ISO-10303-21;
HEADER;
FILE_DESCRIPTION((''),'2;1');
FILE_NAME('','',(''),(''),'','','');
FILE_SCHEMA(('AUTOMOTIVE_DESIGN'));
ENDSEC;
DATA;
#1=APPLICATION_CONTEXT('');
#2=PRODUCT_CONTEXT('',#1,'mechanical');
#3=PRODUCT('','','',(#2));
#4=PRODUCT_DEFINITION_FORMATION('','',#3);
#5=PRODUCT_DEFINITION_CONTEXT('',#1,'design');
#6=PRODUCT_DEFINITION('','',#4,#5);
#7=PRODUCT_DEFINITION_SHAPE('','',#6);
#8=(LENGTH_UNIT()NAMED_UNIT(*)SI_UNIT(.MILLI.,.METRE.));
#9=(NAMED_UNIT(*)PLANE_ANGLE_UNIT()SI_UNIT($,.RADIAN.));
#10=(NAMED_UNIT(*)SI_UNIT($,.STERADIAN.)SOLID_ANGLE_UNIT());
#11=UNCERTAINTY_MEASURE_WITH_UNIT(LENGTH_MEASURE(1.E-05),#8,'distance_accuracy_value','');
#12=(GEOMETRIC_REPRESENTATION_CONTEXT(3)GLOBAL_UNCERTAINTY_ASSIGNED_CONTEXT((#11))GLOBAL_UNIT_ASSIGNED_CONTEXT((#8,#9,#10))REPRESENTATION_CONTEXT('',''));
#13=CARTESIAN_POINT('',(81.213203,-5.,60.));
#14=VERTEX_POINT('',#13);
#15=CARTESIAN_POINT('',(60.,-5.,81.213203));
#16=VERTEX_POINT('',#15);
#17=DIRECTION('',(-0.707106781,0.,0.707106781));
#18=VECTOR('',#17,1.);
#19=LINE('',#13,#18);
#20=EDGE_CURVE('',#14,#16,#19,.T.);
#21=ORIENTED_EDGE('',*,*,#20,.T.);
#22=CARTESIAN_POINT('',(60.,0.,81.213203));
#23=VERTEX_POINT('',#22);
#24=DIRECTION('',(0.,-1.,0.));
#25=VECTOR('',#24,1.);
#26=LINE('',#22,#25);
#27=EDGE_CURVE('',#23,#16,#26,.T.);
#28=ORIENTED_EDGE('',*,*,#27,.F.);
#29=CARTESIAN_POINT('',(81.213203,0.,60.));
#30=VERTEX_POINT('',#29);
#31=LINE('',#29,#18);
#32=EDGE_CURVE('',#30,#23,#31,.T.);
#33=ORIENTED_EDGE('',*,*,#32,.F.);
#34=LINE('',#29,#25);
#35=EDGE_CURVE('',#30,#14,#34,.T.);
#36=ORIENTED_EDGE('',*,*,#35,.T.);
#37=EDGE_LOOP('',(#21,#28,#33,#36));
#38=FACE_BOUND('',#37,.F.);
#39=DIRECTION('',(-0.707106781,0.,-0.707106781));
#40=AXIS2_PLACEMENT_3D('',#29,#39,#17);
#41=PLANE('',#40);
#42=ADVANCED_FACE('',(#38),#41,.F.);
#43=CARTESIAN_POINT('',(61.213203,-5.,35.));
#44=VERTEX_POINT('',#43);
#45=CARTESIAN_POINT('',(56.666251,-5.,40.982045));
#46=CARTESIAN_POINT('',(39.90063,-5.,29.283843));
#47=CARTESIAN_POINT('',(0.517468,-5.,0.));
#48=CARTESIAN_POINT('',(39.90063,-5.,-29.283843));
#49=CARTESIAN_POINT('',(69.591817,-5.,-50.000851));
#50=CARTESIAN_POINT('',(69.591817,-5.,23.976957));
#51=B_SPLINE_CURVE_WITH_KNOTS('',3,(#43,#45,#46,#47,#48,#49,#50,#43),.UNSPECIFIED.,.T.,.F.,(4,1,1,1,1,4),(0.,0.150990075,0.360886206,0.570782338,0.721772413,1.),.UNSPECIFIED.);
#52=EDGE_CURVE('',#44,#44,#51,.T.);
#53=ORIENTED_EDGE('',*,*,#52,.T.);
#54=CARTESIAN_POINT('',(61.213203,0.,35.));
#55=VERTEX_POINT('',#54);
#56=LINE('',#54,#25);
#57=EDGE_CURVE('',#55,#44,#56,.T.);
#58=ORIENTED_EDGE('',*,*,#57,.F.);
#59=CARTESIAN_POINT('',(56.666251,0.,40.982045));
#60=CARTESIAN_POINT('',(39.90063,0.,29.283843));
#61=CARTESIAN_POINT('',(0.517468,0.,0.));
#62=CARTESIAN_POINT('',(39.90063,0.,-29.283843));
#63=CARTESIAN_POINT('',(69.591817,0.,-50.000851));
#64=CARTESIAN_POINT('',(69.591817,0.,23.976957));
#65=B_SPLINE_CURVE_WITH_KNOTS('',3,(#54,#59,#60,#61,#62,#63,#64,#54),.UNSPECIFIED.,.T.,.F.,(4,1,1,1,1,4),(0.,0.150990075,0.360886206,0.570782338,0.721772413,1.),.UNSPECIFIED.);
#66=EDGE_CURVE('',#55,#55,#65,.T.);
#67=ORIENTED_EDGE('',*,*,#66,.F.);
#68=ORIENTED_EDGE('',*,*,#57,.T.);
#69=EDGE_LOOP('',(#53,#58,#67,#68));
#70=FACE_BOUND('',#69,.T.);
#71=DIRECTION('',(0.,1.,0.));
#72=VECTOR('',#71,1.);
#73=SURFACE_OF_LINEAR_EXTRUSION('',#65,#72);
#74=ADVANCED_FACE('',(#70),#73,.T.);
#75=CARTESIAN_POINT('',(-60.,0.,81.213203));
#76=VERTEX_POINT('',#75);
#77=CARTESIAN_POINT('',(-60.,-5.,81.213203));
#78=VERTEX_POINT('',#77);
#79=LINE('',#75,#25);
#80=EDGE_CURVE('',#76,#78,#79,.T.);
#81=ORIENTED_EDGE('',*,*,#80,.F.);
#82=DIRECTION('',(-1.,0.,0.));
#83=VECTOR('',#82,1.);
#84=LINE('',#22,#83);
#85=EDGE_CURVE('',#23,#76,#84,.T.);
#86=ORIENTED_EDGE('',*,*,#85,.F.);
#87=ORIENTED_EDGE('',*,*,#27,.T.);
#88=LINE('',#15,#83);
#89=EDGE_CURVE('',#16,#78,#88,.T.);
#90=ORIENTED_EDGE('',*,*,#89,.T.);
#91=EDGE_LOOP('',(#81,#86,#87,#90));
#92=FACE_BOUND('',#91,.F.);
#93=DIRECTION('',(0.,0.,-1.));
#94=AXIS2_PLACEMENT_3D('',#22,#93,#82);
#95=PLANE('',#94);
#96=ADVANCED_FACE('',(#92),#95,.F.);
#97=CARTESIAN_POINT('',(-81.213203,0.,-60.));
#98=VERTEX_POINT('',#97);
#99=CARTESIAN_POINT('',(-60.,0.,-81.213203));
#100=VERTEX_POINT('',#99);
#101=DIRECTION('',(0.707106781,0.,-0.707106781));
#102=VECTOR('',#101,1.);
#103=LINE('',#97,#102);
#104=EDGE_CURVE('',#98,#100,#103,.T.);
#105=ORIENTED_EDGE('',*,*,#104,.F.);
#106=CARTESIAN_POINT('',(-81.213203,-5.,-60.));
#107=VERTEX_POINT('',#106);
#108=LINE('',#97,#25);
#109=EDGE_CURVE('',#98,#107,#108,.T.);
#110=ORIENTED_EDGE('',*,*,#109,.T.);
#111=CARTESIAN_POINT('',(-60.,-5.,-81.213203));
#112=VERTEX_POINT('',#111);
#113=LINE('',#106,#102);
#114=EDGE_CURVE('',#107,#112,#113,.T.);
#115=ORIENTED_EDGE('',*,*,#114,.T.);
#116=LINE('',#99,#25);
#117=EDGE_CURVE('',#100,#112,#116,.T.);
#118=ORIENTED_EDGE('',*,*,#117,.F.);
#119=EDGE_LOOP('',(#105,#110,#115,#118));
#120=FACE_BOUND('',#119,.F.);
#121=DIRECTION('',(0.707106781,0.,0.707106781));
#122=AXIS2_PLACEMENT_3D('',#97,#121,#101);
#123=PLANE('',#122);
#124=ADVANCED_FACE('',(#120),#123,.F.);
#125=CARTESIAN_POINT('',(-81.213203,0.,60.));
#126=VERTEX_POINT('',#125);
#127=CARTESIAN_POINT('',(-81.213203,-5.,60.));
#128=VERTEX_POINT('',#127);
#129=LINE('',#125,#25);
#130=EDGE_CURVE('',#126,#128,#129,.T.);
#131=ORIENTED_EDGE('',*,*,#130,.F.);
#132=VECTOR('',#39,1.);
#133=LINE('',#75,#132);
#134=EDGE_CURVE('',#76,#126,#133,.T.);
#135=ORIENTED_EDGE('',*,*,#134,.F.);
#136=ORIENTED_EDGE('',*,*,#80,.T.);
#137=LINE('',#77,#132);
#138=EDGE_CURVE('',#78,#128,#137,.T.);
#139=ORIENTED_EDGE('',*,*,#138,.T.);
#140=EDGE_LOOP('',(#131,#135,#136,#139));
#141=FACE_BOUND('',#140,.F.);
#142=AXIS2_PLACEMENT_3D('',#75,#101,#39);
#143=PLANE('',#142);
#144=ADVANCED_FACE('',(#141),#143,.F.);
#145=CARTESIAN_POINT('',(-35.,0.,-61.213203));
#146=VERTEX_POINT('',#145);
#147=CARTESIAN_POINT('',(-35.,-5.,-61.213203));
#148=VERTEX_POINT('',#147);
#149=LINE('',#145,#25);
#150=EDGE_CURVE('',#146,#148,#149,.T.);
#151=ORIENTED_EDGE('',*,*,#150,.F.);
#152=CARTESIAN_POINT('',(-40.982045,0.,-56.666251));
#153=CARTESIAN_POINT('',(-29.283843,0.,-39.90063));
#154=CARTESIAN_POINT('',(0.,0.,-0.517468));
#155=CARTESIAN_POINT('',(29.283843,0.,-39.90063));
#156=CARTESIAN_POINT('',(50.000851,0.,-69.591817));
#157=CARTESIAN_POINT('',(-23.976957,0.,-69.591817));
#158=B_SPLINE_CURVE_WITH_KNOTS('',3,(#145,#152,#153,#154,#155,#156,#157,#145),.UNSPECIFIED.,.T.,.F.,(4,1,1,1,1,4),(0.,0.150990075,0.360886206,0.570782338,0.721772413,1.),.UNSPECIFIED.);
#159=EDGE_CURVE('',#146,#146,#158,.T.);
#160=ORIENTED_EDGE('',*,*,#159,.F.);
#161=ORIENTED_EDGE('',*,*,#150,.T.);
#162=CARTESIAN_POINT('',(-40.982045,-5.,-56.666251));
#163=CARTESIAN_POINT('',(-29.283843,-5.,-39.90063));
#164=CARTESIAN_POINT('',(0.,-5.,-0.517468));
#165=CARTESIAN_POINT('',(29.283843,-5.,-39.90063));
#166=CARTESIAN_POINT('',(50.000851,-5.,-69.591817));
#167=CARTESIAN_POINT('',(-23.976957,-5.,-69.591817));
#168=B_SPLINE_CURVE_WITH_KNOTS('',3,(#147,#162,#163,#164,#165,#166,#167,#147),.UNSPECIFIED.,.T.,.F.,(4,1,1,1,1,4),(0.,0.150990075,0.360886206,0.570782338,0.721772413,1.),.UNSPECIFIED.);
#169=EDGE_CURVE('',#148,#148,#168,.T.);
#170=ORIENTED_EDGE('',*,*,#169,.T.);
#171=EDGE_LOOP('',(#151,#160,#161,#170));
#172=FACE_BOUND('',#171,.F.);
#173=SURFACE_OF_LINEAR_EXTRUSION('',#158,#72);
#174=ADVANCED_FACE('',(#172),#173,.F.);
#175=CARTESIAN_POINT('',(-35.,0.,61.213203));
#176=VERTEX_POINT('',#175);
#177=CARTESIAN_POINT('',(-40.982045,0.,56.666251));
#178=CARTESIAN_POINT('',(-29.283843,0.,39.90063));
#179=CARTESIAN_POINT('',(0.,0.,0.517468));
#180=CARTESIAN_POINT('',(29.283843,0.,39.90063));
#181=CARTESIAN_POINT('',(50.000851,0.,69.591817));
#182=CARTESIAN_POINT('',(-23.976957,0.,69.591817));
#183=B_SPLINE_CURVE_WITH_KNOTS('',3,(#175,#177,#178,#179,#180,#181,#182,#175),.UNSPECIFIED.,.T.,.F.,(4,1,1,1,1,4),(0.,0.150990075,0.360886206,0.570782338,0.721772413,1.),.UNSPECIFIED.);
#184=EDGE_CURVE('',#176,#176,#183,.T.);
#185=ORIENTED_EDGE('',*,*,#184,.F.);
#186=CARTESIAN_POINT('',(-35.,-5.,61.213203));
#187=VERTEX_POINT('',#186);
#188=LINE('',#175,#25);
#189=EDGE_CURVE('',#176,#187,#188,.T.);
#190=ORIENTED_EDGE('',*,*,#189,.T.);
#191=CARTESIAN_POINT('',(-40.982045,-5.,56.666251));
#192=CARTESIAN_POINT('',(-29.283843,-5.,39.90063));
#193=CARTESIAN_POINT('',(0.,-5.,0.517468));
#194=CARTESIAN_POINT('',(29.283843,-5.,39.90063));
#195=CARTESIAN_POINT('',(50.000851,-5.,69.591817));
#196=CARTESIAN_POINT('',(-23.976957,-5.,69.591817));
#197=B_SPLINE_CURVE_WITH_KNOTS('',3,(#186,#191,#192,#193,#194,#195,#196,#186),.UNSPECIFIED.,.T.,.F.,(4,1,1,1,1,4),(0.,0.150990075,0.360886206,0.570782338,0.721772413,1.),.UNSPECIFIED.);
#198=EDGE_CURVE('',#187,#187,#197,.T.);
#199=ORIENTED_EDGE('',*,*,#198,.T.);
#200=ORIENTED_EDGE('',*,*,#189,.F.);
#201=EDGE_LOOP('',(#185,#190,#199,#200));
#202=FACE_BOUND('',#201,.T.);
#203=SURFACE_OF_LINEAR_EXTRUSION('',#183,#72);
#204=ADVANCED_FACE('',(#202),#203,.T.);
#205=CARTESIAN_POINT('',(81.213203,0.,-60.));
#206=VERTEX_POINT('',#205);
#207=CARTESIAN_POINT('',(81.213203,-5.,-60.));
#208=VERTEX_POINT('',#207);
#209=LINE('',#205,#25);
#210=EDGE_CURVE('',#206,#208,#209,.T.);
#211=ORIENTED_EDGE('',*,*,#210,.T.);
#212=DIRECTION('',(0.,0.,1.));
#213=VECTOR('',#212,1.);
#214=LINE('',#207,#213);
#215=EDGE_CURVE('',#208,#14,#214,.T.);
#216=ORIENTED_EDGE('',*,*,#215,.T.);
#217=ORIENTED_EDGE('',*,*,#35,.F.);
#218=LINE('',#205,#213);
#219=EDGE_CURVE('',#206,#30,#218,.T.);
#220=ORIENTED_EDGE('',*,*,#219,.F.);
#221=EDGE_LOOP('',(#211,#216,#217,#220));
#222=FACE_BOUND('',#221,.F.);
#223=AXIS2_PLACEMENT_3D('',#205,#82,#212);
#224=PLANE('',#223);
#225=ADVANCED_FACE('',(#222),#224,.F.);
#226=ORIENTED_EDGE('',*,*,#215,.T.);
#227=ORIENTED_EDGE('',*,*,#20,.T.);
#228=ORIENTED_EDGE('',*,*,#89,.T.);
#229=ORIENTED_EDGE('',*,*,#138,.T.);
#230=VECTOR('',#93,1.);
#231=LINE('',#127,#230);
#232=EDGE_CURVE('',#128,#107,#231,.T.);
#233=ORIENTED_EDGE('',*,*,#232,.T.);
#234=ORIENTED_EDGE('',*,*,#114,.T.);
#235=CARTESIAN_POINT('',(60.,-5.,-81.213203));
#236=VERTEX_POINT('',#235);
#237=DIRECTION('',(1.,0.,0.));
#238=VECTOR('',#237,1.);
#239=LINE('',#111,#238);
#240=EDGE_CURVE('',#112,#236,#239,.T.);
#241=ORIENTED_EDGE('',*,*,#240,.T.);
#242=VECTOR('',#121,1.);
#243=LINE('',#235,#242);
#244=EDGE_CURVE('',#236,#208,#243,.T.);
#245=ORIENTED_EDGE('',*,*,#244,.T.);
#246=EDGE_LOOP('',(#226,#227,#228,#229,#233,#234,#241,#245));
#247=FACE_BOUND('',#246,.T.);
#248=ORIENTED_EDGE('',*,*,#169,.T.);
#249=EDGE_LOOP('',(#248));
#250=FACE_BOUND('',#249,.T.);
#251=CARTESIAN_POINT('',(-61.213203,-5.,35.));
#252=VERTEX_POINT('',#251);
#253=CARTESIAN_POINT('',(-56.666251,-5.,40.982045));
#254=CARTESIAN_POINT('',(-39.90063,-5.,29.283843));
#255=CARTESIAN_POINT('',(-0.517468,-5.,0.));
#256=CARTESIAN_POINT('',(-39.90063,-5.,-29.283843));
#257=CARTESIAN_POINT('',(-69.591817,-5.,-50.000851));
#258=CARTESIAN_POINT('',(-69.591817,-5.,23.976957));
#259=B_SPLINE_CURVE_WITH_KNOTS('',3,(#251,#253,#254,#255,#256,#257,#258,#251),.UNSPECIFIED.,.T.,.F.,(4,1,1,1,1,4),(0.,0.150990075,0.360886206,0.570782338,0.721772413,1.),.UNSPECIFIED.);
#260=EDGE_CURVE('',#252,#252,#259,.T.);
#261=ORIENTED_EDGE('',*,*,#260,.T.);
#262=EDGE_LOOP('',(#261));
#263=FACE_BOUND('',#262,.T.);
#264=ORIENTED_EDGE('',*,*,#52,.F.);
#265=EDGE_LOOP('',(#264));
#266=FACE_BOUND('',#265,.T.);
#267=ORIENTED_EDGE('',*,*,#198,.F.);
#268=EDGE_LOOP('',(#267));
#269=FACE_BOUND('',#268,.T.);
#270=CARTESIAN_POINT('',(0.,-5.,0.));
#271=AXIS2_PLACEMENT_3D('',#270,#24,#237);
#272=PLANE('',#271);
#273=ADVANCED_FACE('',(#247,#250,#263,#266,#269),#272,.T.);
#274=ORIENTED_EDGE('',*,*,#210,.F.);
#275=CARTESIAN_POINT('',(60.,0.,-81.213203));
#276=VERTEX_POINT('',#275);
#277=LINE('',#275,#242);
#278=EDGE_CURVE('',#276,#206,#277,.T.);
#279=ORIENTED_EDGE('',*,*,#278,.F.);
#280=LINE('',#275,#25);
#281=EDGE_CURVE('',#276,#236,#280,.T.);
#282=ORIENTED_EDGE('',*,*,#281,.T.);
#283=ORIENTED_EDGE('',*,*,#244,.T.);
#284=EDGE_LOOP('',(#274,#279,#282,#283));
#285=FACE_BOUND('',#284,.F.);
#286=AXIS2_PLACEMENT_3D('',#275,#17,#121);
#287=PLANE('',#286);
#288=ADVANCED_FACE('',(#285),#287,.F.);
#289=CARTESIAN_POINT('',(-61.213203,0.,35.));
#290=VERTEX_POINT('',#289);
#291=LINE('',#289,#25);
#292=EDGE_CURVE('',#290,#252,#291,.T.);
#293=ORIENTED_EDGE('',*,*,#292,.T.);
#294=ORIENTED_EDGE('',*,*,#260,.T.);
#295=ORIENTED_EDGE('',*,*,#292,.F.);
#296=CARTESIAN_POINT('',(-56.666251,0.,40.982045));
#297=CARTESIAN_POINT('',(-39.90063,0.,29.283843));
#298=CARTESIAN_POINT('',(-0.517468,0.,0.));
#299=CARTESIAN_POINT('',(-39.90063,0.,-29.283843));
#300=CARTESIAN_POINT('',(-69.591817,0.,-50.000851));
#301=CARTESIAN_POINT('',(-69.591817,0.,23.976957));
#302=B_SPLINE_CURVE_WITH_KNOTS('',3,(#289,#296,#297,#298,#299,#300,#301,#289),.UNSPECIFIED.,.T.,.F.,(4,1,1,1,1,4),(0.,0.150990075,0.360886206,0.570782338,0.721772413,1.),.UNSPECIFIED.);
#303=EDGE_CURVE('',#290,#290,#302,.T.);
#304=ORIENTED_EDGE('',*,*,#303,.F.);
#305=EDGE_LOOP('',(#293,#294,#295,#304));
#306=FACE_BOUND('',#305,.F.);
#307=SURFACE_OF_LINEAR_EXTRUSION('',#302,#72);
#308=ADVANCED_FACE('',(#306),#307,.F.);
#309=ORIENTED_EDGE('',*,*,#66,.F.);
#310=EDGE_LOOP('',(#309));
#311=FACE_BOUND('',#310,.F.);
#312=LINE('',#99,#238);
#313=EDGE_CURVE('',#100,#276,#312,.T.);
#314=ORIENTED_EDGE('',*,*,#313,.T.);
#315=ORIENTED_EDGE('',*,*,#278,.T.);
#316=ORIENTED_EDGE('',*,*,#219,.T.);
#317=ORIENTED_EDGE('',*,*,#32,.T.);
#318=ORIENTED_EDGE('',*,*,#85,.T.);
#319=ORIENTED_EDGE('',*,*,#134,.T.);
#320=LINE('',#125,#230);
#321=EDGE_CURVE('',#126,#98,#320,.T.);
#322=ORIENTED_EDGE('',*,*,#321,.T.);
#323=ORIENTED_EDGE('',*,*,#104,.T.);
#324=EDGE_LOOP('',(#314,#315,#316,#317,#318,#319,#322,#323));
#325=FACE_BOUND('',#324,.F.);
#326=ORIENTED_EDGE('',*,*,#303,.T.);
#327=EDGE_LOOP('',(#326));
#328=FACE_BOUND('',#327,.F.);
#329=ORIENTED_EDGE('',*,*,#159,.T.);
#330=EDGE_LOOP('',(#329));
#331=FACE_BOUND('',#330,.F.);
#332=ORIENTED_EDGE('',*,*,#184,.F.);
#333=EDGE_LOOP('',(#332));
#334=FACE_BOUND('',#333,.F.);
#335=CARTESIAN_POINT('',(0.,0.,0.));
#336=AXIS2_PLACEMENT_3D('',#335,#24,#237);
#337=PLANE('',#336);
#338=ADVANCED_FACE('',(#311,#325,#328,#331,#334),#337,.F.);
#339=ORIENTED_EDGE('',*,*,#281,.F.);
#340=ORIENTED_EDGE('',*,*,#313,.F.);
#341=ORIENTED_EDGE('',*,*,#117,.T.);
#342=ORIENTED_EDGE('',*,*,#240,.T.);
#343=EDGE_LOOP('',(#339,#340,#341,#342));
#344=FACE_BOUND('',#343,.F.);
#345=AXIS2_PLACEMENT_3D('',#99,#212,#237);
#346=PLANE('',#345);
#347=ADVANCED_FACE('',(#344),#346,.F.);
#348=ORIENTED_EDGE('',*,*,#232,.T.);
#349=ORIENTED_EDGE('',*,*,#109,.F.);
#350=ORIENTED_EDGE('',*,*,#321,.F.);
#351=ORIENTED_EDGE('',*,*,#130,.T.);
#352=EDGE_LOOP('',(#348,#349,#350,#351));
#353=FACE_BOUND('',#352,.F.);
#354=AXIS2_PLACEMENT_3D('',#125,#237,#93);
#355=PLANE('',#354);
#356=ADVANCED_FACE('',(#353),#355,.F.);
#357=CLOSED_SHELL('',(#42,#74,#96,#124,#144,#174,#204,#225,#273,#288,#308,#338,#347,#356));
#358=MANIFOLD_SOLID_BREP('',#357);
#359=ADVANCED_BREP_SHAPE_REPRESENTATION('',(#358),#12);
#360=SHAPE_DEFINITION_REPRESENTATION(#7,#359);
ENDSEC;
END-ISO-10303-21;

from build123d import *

# Parameters (mm, degrees)
F1_DEPTH = 5


with BuildPart() as f1:
    # F0 (on Front) → F1 (new body)
    with BuildSketch(Plane.XZ):
        Polygon((-60, 81.2132034356), (-81.2132034356, 60), (-81.2132034356, -60), (-60, -81.2132034356), (60, -81.2132034356), (81.2132034356, -60), (81.2132034356, 60), (60, 81.2132034356), align=None)
        with BuildLine():
            add(Edge.make_bspline(
                [(-61.2132034356, 35), (-56.6662513891, 40.9820452962), (-39.9006301336, 29.2838425924), (-0.5174682924, 0), (-39.9006301336, -29.2838425924), (-69.5918170198, -50.0008513699), (-69.5918170198, 23.9769574282), (-61.2132034356, 35)],
                knots=[0, 0, 0, 0, 0.1509900753, 0.3608862065, 0.5707823376, 0.721772413, 1, 1, 1, 1], degree=3))
        make_face(mode=Mode.SUBTRACT)
        with BuildLine():
            add(Edge.make_bspline(
                [(-35, -61.2132034356), (-40.9820452962, -56.6662513891), (-29.2838425924, -39.9006301336), (0, -0.5174682924), (29.2838425924, -39.9006301336), (50.0008513699, -69.5918170198), (-23.9769574282, -69.5918170198), (-35, -61.2132034356)],
                knots=[0, 0, 0, 0, 0.1509900753, 0.3608862065, 0.5707823376, 0.721772413, 1, 1, 1, 1], degree=3))
        make_face(mode=Mode.SUBTRACT)
        with BuildLine():
            add(Edge.make_bspline(
                [(61.2132034356, 35), (56.6662513891, 40.9820452962), (39.9006301336, 29.2838425924), (0.5174682924, 0), (39.9006301336, -29.2838425924), (69.5918170198, -50.0008513699), (69.5918170198, 23.9769574282), (61.2132034356, 35)],
                knots=[0, 0, 0, 0, 0.1509900753, 0.3608862065, 0.5707823376, 0.721772413, 1, 1, 1, 1], degree=3))
        make_face(mode=Mode.SUBTRACT)
        with BuildLine():
            add(Edge.make_bspline(
                [(-35, 61.2132034356), (-40.9820452962, 56.6662513891), (-29.2838425924, 39.9006301336), (0, 0.5174682924), (29.2838425924, 39.9006301336), (50.0008513699, 69.5918170198), (-23.9769574282, 69.5918170198), (-35, 61.2132034356)],
                knots=[0, 0, 0, 0, 0.1509900753, 0.3608862065, 0.5707823376, 0.721772413, 1, 1, 1, 1], degree=3))
        make_face(mode=Mode.SUBTRACT)
    extrude(amount=F1_DEPTH)


solid = f1.part
